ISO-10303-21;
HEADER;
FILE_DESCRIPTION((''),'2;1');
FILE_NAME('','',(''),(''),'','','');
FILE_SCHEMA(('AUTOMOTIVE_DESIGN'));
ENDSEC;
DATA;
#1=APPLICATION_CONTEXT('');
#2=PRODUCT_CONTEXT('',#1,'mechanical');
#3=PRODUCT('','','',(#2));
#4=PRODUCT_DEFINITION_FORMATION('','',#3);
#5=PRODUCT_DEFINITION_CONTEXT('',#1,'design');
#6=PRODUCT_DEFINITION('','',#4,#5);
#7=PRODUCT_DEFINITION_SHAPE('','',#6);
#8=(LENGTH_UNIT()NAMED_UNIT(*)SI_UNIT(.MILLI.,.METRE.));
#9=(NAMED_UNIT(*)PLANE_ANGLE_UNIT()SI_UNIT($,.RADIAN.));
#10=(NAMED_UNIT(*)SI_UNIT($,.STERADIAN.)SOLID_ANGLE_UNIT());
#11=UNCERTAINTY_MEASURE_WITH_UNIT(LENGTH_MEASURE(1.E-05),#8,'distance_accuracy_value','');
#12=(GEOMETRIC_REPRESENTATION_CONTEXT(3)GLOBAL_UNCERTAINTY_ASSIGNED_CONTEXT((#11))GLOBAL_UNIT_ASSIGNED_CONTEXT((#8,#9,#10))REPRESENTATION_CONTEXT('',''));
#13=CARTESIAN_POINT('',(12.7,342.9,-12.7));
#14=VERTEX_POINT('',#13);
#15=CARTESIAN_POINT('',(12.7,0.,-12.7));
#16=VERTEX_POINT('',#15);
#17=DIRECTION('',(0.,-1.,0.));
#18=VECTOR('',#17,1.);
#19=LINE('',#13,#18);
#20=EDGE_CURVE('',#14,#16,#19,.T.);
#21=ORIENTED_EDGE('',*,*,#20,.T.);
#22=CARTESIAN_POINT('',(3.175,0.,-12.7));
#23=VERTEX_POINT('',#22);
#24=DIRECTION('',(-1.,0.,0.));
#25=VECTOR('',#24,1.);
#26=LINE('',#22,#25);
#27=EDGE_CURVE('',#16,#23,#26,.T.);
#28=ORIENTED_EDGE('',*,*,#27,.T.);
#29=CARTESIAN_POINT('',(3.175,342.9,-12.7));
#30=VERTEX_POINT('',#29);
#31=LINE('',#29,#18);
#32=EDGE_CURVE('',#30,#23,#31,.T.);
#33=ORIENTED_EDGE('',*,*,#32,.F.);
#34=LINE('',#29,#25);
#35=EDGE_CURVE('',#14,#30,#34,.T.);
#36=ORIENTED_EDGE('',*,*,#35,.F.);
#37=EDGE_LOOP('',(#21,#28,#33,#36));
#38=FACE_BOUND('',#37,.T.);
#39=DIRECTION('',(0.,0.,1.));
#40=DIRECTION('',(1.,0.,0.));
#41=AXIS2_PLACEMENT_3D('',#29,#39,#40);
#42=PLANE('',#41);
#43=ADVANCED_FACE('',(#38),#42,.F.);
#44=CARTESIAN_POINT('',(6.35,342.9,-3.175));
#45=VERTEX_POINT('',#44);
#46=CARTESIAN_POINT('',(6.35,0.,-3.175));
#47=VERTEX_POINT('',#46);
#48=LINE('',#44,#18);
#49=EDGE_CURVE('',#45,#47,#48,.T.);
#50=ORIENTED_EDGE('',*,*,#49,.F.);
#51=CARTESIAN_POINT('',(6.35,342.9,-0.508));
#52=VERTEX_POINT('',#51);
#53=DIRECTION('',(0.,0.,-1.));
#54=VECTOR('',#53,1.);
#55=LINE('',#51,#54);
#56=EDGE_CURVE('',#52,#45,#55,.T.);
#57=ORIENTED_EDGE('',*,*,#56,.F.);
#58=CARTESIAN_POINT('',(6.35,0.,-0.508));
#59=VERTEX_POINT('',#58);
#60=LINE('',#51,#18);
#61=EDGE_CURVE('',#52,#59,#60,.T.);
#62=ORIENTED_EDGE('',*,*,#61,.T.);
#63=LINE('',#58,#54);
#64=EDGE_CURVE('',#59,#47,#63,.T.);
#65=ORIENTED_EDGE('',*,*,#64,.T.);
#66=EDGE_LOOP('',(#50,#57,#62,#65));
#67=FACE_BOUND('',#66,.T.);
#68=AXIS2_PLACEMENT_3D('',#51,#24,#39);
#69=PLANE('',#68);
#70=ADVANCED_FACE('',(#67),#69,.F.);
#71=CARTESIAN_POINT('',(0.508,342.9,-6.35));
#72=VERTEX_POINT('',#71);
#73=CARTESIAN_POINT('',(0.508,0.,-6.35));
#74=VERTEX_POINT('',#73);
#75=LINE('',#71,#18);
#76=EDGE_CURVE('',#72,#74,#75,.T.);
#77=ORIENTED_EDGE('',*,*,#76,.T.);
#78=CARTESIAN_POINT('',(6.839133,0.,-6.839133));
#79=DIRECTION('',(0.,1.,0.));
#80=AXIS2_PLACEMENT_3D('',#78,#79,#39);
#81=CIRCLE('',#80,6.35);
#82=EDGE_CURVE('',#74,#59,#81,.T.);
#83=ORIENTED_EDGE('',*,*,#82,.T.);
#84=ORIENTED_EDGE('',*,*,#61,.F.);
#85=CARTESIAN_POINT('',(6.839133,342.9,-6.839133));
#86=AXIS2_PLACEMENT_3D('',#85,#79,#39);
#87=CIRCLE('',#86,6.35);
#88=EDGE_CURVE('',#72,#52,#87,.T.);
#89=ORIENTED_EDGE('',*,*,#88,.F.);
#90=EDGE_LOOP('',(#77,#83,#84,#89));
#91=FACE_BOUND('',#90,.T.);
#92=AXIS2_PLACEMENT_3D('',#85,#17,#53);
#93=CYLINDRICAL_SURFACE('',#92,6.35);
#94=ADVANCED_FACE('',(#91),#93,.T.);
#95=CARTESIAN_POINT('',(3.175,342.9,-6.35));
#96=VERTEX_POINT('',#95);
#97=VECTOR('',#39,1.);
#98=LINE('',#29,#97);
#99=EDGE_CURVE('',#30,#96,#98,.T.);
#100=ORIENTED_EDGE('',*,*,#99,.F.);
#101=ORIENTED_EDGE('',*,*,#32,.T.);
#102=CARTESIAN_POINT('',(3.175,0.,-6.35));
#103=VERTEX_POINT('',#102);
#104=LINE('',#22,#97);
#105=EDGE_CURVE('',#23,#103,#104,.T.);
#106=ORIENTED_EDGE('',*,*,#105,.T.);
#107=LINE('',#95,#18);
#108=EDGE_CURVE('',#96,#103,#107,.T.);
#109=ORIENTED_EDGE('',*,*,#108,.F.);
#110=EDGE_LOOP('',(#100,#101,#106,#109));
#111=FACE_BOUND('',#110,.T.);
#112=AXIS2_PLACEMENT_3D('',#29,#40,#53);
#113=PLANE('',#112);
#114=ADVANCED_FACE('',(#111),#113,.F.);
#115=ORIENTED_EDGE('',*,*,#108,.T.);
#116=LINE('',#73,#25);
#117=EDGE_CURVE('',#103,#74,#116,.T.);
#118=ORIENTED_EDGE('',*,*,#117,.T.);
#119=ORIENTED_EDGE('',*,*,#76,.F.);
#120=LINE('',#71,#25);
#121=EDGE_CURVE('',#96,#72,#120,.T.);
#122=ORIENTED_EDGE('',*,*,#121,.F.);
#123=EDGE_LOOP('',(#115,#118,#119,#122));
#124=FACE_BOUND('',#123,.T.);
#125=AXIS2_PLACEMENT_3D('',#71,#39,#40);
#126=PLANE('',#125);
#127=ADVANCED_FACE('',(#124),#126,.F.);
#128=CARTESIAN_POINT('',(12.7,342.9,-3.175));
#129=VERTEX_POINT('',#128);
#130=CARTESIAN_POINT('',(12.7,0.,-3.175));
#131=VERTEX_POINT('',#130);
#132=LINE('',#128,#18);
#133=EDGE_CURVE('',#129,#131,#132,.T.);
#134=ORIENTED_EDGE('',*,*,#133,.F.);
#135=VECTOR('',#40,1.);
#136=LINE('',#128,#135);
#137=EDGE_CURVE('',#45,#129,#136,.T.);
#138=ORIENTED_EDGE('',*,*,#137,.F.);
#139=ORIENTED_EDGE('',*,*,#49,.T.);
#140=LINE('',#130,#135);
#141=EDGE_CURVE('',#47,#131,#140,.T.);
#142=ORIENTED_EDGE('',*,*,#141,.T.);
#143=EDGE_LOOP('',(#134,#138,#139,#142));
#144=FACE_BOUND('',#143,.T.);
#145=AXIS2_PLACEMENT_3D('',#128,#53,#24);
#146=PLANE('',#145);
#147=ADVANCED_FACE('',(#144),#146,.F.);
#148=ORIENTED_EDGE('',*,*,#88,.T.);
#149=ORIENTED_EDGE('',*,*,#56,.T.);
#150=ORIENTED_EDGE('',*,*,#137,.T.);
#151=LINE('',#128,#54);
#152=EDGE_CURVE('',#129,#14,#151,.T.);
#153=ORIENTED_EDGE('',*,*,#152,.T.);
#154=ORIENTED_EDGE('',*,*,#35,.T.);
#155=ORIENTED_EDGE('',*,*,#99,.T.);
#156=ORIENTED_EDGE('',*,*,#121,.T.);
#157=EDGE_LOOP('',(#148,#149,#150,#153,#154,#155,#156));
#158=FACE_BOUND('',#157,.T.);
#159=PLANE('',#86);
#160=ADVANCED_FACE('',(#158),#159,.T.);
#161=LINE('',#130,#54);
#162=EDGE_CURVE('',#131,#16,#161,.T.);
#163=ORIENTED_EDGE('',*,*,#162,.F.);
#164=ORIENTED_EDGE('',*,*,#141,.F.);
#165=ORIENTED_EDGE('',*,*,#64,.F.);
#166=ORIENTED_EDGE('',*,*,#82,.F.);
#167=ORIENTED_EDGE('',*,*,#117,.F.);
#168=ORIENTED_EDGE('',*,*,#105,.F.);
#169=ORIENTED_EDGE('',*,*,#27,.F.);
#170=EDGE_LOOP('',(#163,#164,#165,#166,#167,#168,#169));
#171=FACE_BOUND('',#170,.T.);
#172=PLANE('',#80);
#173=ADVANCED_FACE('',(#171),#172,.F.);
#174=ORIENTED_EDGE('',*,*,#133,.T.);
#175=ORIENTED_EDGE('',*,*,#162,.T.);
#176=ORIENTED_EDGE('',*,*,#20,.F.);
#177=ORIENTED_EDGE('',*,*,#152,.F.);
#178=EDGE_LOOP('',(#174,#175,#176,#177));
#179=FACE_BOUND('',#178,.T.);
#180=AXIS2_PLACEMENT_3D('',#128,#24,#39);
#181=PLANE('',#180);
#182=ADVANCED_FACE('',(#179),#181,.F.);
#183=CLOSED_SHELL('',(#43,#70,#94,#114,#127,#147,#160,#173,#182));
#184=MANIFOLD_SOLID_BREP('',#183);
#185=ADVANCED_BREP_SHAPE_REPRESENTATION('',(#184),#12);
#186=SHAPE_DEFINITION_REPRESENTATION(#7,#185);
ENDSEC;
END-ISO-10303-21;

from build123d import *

# Parameters (mm, degrees)
BOSS_EXTRUDE1_DEPTH = 342.9


with BuildPart() as part:
    # Sketch1 → Boss-Extrude1 (new body)
    with BuildSketch(Plane(origin=(0, 0, 0), x_dir=(1, 0, 0), z_dir=(0, 1, 0))):
        with BuildLine():
            Line((3.175, 12.7), (12.7, 12.7))
            Line((12.7, 12.7), (12.7, 3.175))
            Line((12.7, 3.175), (6.35, 3.175))
            Line((6.35, 3.175), (6.35, 0.508))
            ThreePointArc((6.35, 0.508), (2.349005221, 2.349005221), (0.508, 6.35))
            Line((0.508, 6.35), (3.175, 6.35))
            Line((3.175, 6.35), (3.175, 12.7))
        make_face()
    extrude(amount=BOSS_EXTRUDE1_DEPTH)


solid = part.part
